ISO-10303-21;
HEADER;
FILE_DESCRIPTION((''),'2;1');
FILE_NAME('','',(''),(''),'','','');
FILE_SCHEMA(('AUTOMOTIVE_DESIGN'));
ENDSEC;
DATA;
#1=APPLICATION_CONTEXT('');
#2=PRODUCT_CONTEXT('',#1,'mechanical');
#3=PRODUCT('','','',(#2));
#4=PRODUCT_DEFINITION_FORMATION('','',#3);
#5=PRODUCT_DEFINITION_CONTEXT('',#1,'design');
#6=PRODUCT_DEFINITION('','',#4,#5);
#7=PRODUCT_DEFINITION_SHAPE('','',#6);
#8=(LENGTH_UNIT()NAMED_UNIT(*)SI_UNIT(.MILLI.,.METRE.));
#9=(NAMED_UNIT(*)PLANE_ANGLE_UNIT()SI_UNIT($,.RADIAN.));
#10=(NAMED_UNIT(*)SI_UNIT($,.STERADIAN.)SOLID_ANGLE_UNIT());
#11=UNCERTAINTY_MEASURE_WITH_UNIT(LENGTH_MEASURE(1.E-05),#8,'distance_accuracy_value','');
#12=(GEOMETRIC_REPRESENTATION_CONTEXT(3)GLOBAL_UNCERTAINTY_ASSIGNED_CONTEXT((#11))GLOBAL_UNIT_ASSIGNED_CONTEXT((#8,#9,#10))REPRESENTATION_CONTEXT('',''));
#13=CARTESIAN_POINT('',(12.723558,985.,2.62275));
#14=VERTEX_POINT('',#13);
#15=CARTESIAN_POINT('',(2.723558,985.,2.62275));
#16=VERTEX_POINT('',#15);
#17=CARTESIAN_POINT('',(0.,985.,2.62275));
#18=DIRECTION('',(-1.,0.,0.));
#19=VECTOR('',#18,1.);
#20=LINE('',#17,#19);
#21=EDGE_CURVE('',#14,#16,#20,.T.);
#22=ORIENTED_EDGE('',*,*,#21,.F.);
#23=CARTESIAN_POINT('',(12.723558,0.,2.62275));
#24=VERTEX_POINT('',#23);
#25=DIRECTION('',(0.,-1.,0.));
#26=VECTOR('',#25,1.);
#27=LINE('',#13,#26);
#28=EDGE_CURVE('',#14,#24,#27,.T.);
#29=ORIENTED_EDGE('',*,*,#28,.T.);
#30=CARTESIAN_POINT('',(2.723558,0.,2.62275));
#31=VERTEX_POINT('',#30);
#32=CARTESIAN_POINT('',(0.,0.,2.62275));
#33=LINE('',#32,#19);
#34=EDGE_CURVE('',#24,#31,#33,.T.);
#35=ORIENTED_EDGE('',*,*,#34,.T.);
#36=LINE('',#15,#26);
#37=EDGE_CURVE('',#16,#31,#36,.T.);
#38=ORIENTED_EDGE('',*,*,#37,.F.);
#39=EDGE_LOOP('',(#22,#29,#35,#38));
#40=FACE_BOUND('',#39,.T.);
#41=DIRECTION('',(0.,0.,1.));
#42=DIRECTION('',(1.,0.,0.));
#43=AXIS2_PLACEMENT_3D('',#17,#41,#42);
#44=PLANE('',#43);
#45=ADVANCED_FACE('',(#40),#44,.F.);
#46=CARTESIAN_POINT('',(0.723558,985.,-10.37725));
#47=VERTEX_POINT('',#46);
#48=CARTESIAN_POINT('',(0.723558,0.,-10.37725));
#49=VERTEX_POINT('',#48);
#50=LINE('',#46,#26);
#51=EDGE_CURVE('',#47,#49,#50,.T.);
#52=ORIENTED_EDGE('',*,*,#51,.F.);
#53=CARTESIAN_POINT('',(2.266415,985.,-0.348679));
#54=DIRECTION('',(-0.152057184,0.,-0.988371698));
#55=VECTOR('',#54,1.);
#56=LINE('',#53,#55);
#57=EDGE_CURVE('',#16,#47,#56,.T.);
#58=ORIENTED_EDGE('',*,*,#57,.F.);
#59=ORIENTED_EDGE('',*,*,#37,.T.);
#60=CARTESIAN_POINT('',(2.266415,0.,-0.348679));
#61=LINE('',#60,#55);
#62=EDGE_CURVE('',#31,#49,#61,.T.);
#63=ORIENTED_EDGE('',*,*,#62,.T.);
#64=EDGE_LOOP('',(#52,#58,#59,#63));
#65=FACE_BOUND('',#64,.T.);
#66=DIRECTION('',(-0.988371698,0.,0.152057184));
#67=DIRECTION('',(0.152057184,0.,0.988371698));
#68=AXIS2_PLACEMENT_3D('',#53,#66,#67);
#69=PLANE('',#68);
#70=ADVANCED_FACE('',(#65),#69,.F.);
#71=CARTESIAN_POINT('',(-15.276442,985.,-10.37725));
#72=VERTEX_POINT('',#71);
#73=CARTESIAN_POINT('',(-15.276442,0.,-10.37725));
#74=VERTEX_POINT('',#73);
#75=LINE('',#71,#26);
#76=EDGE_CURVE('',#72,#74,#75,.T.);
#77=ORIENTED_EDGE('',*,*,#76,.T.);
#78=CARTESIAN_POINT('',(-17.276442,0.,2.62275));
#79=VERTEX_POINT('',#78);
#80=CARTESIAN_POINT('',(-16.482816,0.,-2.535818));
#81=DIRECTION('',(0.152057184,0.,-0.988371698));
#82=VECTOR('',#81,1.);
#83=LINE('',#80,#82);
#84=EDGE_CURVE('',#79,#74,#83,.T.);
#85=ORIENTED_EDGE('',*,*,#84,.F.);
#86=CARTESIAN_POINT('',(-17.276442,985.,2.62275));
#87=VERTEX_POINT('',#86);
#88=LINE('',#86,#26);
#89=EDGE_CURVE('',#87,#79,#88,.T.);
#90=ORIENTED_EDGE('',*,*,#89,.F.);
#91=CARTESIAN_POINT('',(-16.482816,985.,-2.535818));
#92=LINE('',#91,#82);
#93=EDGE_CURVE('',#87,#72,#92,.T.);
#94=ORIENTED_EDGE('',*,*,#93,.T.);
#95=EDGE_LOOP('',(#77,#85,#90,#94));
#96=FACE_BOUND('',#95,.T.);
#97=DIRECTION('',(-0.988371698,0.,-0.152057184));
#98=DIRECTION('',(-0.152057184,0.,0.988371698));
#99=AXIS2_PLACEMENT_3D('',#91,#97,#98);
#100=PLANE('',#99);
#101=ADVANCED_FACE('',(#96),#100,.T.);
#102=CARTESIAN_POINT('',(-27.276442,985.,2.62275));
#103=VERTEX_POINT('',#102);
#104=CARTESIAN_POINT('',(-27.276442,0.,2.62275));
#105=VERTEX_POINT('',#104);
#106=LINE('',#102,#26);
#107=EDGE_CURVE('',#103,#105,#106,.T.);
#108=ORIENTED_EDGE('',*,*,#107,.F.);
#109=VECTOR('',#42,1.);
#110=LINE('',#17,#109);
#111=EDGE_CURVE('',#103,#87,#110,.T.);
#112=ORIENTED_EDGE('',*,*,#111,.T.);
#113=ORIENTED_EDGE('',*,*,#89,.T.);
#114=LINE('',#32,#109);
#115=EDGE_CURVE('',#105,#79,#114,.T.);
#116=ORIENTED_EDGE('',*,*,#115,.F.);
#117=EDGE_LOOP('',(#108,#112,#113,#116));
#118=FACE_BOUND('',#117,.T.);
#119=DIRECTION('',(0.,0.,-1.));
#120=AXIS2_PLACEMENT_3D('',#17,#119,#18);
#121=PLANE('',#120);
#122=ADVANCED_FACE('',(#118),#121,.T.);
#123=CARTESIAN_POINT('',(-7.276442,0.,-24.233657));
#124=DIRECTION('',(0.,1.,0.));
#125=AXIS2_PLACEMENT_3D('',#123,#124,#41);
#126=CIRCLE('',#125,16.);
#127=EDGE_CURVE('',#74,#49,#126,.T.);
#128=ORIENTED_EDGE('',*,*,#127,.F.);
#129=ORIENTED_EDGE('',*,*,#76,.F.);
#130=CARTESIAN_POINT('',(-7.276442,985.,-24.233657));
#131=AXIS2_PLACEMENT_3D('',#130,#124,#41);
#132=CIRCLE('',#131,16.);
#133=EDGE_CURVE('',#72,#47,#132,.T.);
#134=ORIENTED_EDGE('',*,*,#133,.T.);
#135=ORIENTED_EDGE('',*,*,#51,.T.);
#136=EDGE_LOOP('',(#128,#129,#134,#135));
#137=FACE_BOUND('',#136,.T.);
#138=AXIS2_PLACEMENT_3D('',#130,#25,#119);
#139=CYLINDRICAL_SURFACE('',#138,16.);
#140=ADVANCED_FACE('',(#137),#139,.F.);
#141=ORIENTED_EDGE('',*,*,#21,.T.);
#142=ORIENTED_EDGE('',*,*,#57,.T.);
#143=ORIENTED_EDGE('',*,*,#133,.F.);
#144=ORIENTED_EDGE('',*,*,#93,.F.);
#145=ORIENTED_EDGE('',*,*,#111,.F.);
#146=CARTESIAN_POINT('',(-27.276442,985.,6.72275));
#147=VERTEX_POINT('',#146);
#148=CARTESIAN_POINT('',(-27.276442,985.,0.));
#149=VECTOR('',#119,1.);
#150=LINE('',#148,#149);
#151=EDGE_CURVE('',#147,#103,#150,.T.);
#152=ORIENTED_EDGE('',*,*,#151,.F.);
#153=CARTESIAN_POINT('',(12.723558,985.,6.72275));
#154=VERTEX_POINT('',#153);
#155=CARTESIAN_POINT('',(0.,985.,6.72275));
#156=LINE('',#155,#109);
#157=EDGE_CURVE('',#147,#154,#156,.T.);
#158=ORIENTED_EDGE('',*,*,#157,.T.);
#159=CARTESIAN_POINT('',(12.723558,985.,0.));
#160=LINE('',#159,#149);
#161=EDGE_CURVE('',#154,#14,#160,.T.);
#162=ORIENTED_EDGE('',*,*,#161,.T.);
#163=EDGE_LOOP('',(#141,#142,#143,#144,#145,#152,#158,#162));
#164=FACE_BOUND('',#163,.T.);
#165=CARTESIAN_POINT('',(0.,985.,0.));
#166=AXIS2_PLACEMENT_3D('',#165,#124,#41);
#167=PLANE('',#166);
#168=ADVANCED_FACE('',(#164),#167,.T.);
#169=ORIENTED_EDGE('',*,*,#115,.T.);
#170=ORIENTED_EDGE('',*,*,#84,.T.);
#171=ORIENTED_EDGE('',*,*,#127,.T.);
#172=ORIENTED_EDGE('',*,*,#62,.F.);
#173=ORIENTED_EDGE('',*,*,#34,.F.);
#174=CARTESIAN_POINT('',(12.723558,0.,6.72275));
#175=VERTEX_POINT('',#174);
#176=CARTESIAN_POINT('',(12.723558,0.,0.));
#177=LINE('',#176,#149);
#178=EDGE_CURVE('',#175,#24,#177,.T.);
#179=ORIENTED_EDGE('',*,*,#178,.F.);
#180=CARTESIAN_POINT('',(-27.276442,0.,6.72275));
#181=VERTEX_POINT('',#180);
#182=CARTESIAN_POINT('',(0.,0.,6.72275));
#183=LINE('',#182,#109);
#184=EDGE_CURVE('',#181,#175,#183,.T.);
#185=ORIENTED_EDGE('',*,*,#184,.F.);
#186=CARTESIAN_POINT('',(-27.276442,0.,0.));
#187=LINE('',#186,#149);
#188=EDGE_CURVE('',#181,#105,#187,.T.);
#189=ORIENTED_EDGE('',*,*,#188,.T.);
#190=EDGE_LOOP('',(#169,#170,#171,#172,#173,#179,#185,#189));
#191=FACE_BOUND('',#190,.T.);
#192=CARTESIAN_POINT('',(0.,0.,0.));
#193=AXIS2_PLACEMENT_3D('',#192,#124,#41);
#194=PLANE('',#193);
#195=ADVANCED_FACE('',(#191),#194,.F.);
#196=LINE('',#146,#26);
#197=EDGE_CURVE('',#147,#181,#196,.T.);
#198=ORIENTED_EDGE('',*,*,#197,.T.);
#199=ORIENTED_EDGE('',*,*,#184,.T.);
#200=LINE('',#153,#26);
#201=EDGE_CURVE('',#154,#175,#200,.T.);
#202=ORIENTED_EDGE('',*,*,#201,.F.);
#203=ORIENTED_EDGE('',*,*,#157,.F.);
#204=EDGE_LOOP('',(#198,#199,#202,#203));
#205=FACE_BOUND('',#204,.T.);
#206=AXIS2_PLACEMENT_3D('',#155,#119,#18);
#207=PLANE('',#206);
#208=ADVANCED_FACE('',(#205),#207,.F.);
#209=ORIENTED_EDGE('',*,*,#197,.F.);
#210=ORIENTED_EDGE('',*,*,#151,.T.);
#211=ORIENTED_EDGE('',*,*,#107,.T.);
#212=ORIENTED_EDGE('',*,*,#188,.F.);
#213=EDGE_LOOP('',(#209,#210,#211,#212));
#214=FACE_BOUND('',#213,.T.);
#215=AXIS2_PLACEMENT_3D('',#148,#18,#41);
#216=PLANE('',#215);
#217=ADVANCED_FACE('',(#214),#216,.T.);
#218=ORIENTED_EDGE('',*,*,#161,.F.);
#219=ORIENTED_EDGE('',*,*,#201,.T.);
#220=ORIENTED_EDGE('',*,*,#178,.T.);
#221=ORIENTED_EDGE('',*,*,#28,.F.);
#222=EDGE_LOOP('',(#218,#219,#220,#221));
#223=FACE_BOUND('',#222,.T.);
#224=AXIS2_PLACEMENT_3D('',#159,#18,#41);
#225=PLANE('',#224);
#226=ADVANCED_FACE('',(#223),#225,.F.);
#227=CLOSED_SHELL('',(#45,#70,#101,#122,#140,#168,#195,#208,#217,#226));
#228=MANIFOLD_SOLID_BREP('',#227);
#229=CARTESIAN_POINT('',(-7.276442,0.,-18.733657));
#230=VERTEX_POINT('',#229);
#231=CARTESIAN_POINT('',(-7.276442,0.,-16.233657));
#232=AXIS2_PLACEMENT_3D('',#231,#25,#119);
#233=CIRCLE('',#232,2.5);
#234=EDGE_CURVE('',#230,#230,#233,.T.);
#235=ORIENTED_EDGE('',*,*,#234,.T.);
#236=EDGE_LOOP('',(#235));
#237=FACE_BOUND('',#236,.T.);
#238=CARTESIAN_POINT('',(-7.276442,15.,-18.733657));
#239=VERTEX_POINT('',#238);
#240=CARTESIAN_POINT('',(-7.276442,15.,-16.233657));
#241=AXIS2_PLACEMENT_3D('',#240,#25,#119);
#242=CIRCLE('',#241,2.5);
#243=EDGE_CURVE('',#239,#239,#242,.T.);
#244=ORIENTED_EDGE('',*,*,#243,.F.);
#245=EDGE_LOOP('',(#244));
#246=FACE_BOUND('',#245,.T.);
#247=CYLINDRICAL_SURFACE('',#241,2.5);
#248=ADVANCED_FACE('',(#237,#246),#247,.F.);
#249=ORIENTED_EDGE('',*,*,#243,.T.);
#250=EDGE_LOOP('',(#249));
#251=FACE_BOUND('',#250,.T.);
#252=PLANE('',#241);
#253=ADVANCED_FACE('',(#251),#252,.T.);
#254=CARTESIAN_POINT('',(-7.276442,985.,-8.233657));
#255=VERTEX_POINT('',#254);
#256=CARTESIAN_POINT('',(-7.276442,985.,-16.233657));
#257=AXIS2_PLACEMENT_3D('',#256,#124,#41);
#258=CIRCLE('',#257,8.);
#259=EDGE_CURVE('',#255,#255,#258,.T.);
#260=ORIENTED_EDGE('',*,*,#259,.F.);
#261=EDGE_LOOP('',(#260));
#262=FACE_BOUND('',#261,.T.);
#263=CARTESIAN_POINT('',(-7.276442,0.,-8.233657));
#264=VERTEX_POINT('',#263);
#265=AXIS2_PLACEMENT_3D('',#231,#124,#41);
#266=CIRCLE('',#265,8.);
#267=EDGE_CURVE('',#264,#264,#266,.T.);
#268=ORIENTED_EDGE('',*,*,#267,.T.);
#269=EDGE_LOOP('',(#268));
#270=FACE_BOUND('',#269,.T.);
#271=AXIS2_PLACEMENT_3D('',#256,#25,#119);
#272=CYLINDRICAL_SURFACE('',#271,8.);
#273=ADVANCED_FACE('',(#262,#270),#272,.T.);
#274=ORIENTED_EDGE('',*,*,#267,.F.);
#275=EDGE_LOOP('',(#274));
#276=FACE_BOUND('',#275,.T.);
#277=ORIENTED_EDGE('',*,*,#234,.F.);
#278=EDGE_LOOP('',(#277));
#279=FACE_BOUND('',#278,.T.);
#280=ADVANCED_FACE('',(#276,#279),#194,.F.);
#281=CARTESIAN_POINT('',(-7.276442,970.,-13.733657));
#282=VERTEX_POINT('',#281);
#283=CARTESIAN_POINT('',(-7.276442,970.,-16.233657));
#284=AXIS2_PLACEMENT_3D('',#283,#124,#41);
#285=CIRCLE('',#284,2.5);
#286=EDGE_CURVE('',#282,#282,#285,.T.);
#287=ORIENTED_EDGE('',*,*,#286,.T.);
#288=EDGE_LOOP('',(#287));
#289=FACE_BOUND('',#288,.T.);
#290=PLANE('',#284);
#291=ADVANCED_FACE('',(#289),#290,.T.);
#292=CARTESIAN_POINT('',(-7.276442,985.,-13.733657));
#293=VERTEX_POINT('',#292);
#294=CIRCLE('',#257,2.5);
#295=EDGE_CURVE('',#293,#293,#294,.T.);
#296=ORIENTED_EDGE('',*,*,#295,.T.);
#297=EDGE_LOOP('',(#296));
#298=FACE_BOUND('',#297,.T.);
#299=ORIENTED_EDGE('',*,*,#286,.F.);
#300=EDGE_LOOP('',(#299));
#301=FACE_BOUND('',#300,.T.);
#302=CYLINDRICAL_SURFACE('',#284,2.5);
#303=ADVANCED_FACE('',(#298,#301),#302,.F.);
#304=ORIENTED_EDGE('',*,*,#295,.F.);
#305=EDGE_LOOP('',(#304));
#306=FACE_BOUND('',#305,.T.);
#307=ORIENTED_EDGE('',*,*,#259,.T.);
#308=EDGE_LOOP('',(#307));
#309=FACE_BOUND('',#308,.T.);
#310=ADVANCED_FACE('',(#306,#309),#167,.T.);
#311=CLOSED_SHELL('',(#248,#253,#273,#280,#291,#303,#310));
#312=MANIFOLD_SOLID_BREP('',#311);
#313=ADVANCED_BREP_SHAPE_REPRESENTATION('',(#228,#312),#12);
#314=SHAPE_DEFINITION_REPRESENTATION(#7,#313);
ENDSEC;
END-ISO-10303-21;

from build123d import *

# Parameters (mm, degrees)
CROQUIS2_R                = 8
SALIENTE_EXTRUIR1_DEPTH   = 985
SALIENTE_EXTRUIR1_2_DEPTH = 985
CROQUIS3_R                = 2.5
CORTAR_EXTRUIR1_DEPTH     = 15
CROQUIS4_R                = 2.5
CORTAR_EXTRUIR2_DEPTH     = 15


with BuildPart() as part:
    # Croquis2 → Saliente-Extruir1 (new body)
    with BuildSketch(Plane(origin=(0, 0, 0), x_dir=(1, 0, 0), z_dir=(0, 1, 0))):
        with Locations((-7.276441578, 16.233656664)):
            Circle(CROQUIS2_R)
    extrude(amount=SALIENTE_EXTRUIR1_DEPTH)

    # Croquis3 → Cortar-Extruir1 (cut)
    with BuildSketch(Plane.XZ):
        with Locations((-7.276441578, -16.233656664)):
            Circle(CROQUIS3_R)
    extrude(amount=-CORTAR_EXTRUIR1_DEPTH, mode=Mode.SUBTRACT)

    # Croquis4 → Cortar-Extruir2 (cut)
    with BuildSketch(Plane(origin=(0, 985, 0), x_dir=(1, 0, 0), z_dir=(0, 1, 0))):
        with Locations((-7.276441578, 16.233656664)):
            Circle(CROQUIS4_R)
    extrude(amount=-CORTAR_EXTRUIR2_DEPTH, mode=Mode.SUBTRACT)


with BuildPart() as body_2:
    # Croquis2 → Saliente-Extruir1 2 (new body)
    with BuildSketch(Plane(origin=(0, 0, 0), x_dir=(1, 0, 0), z_dir=(0, 1, 0))):
        with BuildLine():
            Line((-27.276441578, -6.722749797), (10.823558422, -6.722749797))
            Line((10.823558422, -6.722749797), (12.723558422, -6.722749797))
            Line((12.723558422, -6.722749797), (12.723558422, -2.622749797))
            Line((12.723558422, -2.622749797), (2.723558422, -2.622749797))
            Line((2.723558422, -2.622749797), (0.723558422, 10.377250203))
            ThreePointArc((0.723558422, 10.377250203), (-7.276441578, 8.233656664), (-15.276441578, 10.377250203))
            Line((-15.276441578, 10.377250203), (-17.276441578, -2.622749797))
            Line((-17.276441578, -2.622749797), (-27.276441578, -2.622749797))
            Line((-27.276441578, -2.622749797), (-27.276441578, -6.722749797))
        make_face()
    extrude(amount=SALIENTE_EXTRUIR1_2_DEPTH)


solid = Compound([part.part, body_2.part])
